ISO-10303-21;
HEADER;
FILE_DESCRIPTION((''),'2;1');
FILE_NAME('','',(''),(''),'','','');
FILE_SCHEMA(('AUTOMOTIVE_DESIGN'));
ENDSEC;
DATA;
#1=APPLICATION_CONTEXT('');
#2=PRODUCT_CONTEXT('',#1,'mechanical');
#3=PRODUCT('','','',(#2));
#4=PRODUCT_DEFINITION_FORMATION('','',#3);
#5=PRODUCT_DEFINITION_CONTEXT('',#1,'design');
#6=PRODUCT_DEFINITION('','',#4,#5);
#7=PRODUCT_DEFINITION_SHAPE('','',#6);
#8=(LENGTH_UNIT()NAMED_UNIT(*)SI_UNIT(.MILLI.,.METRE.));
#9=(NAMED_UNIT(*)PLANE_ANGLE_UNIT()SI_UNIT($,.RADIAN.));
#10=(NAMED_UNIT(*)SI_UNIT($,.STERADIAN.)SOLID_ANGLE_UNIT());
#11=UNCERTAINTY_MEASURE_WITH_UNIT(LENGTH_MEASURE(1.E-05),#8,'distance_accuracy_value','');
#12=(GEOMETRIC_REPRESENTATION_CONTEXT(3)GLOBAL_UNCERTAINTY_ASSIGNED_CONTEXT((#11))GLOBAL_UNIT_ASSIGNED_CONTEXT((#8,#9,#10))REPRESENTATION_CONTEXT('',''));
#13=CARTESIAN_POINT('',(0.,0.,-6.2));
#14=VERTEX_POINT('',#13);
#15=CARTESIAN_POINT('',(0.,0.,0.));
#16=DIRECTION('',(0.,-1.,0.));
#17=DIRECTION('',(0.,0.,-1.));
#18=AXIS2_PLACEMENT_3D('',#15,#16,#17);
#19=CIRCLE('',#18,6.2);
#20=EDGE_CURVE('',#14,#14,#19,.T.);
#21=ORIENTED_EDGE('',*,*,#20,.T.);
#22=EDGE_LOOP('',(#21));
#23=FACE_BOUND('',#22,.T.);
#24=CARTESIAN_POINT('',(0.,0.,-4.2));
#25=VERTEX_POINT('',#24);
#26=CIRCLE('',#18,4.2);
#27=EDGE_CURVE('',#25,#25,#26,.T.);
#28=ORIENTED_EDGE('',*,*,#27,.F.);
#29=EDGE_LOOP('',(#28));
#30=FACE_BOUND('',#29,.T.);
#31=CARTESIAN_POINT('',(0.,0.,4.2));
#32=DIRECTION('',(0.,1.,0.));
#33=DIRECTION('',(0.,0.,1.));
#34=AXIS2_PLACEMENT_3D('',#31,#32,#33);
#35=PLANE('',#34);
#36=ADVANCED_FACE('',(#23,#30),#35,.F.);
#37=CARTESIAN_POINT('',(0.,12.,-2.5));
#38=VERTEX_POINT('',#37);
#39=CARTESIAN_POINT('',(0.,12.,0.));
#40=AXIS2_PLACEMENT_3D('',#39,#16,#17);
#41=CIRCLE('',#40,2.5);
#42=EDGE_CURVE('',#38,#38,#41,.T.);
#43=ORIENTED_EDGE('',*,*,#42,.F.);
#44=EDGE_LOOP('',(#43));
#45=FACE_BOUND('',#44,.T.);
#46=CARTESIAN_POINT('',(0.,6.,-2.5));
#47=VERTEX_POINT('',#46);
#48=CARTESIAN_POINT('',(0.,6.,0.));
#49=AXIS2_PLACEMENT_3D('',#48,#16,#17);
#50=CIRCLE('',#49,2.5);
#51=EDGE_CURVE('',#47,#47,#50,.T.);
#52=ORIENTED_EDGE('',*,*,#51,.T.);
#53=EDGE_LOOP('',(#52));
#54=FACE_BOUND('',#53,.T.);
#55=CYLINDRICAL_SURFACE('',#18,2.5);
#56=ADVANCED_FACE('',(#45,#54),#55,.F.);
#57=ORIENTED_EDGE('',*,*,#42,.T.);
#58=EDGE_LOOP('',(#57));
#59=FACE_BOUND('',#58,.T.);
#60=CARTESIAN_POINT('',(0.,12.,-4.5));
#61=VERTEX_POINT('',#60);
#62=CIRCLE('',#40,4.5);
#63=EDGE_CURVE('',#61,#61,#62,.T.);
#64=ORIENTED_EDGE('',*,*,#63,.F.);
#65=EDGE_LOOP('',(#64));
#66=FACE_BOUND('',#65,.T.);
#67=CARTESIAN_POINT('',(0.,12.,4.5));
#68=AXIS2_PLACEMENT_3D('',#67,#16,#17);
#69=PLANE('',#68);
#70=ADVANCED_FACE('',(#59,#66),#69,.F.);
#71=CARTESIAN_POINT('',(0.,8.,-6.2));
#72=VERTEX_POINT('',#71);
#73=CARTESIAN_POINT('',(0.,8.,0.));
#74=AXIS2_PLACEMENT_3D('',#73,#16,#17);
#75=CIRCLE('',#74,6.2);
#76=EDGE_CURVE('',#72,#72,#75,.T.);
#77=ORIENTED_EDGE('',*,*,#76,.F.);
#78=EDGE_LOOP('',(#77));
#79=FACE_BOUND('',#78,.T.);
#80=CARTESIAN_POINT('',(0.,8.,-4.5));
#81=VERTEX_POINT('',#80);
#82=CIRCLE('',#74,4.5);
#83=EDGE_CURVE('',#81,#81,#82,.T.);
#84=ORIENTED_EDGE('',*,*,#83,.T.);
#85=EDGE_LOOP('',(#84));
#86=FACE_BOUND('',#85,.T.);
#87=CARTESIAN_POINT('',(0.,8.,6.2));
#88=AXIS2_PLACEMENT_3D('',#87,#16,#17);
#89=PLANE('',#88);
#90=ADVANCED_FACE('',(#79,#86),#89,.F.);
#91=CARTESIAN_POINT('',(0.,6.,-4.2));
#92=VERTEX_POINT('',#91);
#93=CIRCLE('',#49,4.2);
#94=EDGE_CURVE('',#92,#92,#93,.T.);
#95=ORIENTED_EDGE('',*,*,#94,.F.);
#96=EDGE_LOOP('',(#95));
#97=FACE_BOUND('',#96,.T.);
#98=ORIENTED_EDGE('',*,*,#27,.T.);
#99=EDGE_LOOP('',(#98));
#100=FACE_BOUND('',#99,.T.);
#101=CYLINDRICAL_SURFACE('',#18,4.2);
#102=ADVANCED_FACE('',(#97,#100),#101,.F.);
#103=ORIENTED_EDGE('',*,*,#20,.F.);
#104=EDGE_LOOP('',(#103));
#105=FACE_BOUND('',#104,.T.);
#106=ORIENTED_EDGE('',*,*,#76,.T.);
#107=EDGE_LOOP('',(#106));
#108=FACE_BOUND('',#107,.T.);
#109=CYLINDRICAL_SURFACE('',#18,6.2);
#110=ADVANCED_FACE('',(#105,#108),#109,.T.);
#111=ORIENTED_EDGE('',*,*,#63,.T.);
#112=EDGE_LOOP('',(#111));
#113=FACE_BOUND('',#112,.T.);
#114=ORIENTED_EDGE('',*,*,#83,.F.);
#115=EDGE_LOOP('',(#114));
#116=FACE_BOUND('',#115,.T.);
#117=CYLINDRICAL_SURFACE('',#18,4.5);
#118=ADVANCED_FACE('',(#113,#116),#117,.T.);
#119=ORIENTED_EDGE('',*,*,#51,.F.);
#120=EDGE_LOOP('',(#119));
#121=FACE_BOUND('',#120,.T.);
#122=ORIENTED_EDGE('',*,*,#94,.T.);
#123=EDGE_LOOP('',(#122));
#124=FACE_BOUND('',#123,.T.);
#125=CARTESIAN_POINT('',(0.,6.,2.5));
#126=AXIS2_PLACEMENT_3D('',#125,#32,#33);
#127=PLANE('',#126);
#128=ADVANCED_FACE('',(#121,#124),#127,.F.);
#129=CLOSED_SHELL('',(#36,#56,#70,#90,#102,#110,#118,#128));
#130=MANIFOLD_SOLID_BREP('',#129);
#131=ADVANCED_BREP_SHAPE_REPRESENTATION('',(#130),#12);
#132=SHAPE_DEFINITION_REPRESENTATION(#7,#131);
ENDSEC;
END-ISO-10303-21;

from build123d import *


with BuildPart() as part:
    # Sketch1 → Revolve1 (revolve)
    with BuildSketch(Plane(origin=(0, 0, 0), x_dir=(0, 0, -1), z_dir=(1, 0, 0)), mode=Mode.PRIVATE) as revolve1_sk:
        Polygon((-6.2, 0), (-6.2, 8), (-4.5, 8), (-4.5, 12), (-2.5, 12), (-2.5, 6), (-4.2, 6), (-4.2, 0), align=None)
    revolve(revolve1_sk.sketch.rotate(Axis((0, 0, 0), (0, 1, 0)), 180), axis=Axis((0, 0, 0), (0, 1, 0)))


solid = part.part
